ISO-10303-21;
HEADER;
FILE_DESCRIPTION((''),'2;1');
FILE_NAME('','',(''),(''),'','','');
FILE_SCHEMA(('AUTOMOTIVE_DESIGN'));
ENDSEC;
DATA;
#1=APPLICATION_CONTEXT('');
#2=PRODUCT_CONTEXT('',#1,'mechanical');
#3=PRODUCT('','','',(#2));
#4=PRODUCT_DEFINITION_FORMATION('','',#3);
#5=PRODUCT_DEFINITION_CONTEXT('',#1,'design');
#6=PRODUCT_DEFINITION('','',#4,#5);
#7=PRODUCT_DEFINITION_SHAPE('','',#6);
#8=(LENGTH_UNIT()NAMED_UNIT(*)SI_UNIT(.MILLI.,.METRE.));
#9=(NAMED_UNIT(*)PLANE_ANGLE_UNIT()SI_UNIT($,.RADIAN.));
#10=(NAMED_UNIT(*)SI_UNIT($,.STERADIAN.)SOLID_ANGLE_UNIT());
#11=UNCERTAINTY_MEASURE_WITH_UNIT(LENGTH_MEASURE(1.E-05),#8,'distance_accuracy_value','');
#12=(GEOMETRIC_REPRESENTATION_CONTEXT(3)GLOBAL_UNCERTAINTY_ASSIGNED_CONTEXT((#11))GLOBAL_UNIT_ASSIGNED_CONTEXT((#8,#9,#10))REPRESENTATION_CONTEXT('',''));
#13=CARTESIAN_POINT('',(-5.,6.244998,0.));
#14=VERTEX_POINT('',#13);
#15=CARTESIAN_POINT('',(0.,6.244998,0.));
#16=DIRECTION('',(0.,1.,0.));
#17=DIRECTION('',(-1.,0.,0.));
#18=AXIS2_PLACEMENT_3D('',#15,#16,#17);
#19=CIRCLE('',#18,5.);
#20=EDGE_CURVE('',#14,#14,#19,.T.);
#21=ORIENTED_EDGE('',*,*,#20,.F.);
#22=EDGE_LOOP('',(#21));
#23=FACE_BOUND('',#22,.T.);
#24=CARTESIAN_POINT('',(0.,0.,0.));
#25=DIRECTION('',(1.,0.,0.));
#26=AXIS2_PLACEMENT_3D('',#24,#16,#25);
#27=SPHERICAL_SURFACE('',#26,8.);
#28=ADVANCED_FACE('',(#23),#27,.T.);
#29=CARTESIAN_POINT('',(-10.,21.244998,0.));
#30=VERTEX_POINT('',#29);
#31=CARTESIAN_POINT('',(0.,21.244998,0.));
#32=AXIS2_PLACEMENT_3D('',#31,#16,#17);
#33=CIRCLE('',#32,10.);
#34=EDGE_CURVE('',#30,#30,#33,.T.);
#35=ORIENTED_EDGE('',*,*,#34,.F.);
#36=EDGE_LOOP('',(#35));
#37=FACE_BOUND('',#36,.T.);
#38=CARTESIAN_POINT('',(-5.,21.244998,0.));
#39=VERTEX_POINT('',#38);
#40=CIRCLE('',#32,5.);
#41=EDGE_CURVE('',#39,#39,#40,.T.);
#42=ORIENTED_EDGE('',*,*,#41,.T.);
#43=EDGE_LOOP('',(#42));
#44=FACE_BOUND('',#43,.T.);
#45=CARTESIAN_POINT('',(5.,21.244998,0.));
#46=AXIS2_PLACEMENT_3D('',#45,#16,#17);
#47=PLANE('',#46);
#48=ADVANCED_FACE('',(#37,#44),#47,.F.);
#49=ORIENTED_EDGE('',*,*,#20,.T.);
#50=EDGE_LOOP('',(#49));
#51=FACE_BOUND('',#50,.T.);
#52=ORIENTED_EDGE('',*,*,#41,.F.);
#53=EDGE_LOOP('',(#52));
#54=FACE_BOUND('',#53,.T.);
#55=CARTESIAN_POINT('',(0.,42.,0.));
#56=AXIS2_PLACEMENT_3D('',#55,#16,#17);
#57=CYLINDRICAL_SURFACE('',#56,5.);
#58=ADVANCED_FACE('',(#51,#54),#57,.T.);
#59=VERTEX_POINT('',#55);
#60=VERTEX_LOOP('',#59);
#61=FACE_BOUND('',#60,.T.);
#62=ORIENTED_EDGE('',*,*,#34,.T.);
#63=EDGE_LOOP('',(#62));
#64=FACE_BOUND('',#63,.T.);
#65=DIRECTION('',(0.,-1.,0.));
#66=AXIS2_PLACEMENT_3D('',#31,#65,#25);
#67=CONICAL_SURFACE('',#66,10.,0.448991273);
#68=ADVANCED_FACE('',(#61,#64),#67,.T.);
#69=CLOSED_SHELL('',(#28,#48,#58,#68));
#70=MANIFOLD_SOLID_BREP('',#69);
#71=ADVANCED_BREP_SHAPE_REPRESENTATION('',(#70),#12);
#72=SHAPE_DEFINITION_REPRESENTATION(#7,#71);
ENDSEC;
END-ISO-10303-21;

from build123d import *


with BuildPart() as part:
    # Sketch1 → Revolve1 (revolve)
    with BuildSketch(Plane.XY):
        with BuildLine():
            Line((5, 21.244997998), (5, 6.244997998))
            ThreePointArc((5, 6.244997998), (7.548509256, -2.649529771), (0, -8))
            Line((0, -8), (0, 42))
            Line((0, 42), (10, 21.244997998))
            Line((10, 21.244997998), (5, 21.244997998))
        make_face()
    revolve(axis=Axis((0, 42, 0), (0, -1, 0)))


solid = part.part
